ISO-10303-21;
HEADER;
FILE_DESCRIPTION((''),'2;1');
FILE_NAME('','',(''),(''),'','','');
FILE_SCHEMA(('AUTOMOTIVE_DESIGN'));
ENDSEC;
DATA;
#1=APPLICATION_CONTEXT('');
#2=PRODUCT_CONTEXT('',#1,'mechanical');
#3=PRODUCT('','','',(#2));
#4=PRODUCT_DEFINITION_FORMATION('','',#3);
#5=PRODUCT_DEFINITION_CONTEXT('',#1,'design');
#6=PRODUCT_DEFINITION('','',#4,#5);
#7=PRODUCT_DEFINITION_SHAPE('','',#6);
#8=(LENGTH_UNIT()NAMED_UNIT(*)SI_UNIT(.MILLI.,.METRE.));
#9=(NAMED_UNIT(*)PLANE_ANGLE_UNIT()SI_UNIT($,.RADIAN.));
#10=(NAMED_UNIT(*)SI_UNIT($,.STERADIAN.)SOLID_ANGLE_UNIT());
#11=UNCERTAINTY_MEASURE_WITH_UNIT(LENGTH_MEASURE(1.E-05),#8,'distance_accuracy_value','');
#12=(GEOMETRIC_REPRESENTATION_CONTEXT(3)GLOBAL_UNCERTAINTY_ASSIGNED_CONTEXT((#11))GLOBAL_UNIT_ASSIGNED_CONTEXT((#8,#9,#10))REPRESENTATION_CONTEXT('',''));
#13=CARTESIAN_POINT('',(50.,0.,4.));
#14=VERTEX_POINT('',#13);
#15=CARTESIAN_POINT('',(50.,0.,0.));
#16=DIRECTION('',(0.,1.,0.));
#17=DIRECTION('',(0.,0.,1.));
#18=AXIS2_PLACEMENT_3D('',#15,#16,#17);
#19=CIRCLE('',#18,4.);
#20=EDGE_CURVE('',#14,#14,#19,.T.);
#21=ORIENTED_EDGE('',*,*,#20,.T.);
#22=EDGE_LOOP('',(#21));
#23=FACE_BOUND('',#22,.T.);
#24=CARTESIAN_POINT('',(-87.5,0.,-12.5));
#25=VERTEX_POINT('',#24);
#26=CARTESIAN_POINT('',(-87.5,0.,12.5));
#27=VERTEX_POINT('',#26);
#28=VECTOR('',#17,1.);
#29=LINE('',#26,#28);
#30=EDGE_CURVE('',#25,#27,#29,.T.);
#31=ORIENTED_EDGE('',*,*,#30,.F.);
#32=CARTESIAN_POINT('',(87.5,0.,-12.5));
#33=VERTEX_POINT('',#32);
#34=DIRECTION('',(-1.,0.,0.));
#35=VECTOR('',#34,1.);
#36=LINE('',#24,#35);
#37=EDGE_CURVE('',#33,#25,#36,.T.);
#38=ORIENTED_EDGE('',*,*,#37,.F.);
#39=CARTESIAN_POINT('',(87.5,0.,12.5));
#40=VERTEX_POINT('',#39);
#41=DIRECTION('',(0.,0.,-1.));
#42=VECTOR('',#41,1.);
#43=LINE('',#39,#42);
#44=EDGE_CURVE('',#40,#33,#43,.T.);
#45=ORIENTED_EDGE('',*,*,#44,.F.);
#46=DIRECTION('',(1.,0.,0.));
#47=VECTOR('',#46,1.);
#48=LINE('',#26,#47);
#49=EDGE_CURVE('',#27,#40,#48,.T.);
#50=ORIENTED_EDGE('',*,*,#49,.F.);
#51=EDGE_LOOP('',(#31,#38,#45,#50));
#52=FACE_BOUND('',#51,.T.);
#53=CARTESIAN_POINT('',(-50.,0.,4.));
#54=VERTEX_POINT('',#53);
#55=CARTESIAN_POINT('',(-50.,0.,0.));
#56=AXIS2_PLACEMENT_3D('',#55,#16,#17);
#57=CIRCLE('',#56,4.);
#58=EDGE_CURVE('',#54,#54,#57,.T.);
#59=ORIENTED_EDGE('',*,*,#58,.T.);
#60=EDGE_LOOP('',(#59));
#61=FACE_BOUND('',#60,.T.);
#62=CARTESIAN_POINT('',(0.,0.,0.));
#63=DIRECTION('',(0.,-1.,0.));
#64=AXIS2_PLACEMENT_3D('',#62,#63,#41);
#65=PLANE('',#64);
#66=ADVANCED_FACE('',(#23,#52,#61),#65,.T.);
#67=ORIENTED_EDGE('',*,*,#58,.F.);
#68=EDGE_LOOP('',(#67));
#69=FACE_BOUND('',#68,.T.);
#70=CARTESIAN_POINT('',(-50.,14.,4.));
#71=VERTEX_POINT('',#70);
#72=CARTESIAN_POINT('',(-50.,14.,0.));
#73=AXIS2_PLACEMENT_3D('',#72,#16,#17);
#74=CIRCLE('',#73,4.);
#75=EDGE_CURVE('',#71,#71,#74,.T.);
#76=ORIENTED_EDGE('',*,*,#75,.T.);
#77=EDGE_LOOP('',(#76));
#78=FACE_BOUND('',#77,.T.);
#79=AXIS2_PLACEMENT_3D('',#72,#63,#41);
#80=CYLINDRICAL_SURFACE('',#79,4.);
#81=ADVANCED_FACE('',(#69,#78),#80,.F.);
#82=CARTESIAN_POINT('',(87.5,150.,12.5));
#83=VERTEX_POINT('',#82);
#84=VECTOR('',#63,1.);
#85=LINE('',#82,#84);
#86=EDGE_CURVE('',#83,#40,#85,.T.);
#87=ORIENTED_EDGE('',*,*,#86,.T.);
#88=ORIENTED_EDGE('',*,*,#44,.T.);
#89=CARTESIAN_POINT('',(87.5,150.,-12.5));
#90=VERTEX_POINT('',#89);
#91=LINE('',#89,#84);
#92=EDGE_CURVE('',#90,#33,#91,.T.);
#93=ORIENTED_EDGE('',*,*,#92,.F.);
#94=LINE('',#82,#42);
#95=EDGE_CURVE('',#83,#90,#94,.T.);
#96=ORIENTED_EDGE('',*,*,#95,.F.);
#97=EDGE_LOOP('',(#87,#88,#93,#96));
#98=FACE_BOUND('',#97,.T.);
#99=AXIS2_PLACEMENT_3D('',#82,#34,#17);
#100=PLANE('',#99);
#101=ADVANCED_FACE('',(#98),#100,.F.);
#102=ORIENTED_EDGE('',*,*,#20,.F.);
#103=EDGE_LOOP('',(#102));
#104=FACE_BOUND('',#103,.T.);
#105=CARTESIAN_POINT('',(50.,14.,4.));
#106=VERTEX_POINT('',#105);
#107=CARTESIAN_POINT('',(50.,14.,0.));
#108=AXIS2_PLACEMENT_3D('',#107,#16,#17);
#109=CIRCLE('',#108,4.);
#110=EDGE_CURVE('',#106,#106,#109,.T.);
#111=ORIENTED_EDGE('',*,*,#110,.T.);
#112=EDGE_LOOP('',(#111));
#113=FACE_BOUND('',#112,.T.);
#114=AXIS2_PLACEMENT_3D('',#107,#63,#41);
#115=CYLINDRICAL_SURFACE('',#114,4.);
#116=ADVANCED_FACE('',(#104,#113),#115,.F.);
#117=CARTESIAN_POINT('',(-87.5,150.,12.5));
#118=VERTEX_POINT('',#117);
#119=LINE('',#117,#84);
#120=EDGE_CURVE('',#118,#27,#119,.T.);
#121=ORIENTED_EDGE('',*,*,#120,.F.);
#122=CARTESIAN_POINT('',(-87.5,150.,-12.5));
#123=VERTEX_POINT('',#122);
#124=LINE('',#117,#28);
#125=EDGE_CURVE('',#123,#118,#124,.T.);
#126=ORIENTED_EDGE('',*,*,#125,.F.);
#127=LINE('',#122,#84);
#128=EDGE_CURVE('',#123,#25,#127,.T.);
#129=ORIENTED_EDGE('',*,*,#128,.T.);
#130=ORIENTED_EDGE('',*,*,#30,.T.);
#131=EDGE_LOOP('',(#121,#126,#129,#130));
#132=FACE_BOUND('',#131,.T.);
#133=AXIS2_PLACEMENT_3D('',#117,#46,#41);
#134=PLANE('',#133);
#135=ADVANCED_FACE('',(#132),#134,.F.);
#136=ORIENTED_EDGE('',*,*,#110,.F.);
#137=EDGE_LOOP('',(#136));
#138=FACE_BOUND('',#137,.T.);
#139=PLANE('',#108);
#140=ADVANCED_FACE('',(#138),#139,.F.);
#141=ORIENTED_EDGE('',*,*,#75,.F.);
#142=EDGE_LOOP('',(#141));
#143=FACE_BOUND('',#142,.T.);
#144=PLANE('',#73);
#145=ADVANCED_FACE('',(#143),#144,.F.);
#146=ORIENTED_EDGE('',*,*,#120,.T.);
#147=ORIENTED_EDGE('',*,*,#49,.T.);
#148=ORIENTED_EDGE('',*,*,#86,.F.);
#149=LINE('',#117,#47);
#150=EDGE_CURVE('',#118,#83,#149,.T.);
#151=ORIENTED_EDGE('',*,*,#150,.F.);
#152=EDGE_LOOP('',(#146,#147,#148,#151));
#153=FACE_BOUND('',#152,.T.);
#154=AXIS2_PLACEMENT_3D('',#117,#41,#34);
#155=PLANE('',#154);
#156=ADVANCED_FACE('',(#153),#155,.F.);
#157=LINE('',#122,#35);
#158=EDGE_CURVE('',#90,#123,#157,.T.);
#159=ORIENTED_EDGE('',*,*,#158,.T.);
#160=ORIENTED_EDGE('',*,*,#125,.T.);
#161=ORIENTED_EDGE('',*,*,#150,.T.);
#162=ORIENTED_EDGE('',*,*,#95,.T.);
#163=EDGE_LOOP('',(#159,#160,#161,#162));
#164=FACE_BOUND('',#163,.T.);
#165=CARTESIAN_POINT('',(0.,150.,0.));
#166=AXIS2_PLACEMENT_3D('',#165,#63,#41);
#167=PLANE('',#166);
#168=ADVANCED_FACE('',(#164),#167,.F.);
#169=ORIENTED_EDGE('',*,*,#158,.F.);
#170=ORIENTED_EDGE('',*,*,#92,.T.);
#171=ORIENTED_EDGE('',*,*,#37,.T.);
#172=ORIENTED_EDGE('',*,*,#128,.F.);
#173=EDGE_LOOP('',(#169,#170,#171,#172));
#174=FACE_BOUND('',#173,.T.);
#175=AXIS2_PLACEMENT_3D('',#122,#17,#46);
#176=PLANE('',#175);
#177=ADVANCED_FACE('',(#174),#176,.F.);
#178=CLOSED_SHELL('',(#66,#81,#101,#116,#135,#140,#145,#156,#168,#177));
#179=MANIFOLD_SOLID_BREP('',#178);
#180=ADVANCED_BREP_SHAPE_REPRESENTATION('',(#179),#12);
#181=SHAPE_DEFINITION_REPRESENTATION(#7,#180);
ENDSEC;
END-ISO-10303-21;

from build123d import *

# Parameters (mm, degrees)
CROQUIS_BASE_W             = 175
CROQUIS_BASE_H             = 25
MURO_DEPTH                 = 150
CROQUIS_AGUJEROS_MONTAJE_R = 4
AGUJERO_INSERTO_M6_DEPTH   = 14


with BuildPart() as part:
    # Croquis_base → Muro (new body)
    with BuildSketch(Plane(origin=(0, 0, 0), x_dir=(1, 0, 0), z_dir=(0, 1, 0))):
        Rectangle(CROQUIS_BASE_W, CROQUIS_BASE_H)
    extrude(amount=MURO_DEPTH)

    # Croquis_agujeros_montaje → Agujero_inserto_M6 (cut)
    with BuildSketch(Plane(origin=(0, 0, 0), x_dir=(1, 0, 0), z_dir=(0, 1, 0))):
        with Locations(Location((-50, 0, 0), (0, 0, 270))):
            Circle(CROQUIS_AGUJEROS_MONTAJE_R)
        with Locations(Location((50, 0, 0), (0, 0, 270))):
            Circle(CROQUIS_AGUJEROS_MONTAJE_R)
    extrude(amount=AGUJERO_INSERTO_M6_DEPTH, mode=Mode.SUBTRACT)


solid = part.part
